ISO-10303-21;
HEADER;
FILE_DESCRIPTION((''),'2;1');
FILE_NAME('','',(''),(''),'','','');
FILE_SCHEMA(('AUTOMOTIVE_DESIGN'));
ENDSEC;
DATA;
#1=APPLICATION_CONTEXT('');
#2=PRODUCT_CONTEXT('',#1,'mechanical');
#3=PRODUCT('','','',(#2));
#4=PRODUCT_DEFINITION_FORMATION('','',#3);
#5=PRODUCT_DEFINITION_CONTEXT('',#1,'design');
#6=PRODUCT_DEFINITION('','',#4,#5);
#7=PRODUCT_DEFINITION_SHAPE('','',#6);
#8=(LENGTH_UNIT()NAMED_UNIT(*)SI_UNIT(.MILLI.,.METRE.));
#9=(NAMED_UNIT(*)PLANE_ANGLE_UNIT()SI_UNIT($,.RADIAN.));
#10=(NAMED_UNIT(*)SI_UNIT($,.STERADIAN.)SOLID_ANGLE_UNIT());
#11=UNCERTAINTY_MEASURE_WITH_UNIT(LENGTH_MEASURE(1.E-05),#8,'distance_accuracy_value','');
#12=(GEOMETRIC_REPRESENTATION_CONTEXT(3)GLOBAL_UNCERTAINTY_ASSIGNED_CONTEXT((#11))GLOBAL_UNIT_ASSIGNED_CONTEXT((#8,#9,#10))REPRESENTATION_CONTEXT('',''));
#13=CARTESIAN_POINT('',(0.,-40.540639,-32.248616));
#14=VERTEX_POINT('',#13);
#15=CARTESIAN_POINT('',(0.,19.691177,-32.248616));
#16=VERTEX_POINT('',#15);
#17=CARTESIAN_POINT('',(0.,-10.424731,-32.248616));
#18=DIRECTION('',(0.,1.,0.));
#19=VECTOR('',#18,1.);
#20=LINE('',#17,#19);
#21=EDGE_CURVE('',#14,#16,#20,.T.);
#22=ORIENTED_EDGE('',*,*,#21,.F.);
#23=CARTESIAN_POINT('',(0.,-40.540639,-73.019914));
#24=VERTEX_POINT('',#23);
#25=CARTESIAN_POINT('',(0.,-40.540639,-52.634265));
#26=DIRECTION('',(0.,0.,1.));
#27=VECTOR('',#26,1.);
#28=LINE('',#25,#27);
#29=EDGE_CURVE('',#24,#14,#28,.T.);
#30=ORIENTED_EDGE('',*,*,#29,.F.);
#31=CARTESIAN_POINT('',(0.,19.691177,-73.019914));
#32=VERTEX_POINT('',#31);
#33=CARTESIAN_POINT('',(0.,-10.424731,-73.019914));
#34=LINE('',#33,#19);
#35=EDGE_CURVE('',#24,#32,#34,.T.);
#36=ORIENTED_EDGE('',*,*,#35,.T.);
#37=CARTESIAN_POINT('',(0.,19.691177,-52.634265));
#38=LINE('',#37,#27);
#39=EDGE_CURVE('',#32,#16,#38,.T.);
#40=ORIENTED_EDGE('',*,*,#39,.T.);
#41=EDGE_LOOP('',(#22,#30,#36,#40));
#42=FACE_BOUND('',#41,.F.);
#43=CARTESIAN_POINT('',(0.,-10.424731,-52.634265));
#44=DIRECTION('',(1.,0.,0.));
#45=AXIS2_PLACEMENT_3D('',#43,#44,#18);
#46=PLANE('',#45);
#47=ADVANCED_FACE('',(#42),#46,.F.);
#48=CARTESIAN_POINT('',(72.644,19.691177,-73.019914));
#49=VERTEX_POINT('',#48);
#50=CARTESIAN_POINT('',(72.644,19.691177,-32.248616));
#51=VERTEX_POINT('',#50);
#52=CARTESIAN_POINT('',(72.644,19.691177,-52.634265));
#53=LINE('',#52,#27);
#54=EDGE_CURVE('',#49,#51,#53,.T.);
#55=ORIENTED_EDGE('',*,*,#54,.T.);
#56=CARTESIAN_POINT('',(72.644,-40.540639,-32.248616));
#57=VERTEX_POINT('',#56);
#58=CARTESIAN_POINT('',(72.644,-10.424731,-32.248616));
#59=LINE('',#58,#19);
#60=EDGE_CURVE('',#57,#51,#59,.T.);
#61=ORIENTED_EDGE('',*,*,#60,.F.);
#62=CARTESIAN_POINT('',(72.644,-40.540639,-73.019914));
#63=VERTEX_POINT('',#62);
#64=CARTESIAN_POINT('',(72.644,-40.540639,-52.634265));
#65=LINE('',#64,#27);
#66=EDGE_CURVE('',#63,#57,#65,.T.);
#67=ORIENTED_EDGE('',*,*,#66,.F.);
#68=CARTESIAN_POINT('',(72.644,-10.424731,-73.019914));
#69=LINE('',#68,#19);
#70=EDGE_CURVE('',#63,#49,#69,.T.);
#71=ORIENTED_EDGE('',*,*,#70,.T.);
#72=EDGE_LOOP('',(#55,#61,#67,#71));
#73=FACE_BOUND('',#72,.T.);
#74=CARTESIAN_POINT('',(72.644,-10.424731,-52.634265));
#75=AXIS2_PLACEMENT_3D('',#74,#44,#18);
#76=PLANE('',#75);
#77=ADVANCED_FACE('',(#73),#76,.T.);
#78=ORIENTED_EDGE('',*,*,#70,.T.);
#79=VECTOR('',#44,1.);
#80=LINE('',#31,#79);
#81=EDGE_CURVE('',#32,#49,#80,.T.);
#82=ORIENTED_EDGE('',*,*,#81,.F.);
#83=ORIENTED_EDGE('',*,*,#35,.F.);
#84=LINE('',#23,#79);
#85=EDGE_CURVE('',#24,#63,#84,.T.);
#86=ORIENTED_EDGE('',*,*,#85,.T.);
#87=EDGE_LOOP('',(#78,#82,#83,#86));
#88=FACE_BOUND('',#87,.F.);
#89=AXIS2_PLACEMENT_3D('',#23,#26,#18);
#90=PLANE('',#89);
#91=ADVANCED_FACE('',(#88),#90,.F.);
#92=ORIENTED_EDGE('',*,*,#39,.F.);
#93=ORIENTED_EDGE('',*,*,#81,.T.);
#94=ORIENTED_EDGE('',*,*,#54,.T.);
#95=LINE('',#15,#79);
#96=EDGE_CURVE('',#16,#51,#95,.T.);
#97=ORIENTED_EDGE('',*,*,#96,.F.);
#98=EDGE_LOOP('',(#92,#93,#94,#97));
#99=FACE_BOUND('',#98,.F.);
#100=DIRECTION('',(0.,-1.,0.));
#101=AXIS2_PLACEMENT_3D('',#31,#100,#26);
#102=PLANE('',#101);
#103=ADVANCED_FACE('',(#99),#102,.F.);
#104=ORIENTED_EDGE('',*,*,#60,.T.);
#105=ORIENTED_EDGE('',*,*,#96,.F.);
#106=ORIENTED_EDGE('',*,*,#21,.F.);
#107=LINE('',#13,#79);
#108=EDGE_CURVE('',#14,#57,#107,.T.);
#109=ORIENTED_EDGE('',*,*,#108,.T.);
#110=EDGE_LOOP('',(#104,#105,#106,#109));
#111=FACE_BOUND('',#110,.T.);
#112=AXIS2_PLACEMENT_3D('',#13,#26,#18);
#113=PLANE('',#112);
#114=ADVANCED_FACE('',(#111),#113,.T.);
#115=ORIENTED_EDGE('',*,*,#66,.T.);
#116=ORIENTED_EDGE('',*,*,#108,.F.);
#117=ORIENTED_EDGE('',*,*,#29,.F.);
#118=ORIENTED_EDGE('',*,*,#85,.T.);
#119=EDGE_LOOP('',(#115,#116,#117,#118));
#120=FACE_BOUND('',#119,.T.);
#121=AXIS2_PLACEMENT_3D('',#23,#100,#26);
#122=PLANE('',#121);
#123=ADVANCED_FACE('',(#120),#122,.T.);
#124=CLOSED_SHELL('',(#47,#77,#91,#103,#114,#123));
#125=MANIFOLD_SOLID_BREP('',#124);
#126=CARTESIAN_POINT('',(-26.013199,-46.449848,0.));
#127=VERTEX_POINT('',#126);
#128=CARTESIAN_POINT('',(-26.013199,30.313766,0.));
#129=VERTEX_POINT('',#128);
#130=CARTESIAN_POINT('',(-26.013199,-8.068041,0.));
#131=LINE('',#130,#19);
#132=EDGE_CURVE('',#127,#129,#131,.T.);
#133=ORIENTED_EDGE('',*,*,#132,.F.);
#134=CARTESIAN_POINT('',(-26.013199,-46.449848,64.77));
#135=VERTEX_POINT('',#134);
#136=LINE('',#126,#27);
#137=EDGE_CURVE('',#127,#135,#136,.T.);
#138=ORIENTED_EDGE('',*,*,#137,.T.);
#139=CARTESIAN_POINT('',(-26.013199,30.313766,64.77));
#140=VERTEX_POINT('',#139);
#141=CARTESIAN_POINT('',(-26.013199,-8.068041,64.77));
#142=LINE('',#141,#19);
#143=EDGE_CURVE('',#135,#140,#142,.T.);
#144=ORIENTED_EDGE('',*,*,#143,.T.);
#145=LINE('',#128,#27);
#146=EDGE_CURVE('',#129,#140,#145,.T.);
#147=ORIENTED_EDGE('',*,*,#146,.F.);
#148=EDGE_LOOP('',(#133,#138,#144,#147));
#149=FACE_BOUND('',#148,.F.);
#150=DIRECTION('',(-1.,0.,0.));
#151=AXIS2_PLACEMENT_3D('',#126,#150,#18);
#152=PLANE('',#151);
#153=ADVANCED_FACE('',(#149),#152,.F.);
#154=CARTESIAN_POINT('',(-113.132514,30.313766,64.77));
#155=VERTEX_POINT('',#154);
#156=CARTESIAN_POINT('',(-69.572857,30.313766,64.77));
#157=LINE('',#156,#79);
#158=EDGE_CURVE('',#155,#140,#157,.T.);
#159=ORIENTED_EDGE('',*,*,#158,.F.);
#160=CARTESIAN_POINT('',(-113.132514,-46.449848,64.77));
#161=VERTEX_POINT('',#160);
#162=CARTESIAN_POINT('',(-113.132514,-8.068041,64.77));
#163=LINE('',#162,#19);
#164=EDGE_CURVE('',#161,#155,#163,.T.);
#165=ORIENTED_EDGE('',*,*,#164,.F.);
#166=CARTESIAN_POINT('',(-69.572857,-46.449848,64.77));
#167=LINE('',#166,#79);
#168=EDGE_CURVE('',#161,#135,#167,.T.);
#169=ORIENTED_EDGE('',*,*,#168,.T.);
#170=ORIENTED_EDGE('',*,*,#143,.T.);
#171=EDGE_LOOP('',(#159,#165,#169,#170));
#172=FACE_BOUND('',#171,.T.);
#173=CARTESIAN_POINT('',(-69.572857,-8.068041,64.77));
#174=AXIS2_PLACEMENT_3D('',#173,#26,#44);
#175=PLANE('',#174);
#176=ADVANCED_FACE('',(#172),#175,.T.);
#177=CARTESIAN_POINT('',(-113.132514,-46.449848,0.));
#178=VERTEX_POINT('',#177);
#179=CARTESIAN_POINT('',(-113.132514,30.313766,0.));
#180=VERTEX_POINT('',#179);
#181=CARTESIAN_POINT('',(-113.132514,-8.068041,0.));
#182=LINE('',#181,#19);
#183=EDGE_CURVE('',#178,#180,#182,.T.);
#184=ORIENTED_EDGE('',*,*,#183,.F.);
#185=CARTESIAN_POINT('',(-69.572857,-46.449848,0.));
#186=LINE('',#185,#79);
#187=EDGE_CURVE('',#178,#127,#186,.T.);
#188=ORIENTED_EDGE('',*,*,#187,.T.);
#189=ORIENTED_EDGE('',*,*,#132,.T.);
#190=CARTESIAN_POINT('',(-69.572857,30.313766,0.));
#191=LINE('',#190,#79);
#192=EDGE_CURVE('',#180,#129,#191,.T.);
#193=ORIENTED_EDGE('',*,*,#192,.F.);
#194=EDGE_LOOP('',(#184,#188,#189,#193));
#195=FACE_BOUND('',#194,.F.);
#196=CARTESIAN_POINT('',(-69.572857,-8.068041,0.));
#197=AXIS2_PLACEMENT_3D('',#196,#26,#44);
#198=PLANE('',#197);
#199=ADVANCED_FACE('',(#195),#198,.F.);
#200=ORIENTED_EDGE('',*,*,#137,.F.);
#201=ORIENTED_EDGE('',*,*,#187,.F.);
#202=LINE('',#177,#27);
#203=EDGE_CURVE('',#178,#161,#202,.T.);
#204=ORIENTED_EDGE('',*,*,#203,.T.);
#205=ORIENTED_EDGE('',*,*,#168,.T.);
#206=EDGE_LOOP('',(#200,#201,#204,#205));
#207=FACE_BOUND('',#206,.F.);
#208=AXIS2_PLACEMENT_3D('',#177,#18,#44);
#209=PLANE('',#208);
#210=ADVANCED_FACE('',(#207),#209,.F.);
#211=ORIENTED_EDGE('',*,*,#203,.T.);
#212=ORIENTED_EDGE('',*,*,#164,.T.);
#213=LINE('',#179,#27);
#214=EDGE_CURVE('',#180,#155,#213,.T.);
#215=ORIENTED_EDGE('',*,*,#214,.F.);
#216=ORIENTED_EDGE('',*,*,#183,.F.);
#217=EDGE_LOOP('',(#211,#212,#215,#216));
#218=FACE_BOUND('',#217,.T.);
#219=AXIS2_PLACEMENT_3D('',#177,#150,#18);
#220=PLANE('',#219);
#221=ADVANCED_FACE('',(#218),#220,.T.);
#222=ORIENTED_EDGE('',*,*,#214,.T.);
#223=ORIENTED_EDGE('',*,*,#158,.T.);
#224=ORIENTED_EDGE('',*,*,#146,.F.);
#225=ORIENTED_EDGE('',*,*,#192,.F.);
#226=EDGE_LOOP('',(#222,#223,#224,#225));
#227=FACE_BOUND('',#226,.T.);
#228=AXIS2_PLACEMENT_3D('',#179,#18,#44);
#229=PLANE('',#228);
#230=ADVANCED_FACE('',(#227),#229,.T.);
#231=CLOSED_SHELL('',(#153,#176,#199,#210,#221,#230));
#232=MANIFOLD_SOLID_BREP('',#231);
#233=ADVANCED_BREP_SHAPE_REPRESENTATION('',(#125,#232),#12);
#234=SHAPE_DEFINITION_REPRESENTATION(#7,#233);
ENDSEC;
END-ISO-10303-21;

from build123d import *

# Parameters (mm, degrees)
F0_W     = 87.119315
F0_H     = 76.763614
F1_DEPTH = 64.77
F2_W     = 60.231816
F2_H     = 40.771298
F3_DEPTH = 72.644


with BuildPart() as f1:
    # F0 (on Top) → F1 (new body)
    with BuildSketch(Plane.XY):
        with Locations((-69.572857, -8.068041)):
            Rectangle(F0_W, F0_H)
    extrude(amount=F1_DEPTH)


with BuildPart() as f3:
    # F2 (on Right) → F3 (new body)
    with BuildSketch(Plane.YZ):
        with Locations((-10.424731, -52.634265)):
            Rectangle(F2_W, F2_H)
    extrude(amount=F3_DEPTH)


solid = Compound([f1.part, f3.part])
